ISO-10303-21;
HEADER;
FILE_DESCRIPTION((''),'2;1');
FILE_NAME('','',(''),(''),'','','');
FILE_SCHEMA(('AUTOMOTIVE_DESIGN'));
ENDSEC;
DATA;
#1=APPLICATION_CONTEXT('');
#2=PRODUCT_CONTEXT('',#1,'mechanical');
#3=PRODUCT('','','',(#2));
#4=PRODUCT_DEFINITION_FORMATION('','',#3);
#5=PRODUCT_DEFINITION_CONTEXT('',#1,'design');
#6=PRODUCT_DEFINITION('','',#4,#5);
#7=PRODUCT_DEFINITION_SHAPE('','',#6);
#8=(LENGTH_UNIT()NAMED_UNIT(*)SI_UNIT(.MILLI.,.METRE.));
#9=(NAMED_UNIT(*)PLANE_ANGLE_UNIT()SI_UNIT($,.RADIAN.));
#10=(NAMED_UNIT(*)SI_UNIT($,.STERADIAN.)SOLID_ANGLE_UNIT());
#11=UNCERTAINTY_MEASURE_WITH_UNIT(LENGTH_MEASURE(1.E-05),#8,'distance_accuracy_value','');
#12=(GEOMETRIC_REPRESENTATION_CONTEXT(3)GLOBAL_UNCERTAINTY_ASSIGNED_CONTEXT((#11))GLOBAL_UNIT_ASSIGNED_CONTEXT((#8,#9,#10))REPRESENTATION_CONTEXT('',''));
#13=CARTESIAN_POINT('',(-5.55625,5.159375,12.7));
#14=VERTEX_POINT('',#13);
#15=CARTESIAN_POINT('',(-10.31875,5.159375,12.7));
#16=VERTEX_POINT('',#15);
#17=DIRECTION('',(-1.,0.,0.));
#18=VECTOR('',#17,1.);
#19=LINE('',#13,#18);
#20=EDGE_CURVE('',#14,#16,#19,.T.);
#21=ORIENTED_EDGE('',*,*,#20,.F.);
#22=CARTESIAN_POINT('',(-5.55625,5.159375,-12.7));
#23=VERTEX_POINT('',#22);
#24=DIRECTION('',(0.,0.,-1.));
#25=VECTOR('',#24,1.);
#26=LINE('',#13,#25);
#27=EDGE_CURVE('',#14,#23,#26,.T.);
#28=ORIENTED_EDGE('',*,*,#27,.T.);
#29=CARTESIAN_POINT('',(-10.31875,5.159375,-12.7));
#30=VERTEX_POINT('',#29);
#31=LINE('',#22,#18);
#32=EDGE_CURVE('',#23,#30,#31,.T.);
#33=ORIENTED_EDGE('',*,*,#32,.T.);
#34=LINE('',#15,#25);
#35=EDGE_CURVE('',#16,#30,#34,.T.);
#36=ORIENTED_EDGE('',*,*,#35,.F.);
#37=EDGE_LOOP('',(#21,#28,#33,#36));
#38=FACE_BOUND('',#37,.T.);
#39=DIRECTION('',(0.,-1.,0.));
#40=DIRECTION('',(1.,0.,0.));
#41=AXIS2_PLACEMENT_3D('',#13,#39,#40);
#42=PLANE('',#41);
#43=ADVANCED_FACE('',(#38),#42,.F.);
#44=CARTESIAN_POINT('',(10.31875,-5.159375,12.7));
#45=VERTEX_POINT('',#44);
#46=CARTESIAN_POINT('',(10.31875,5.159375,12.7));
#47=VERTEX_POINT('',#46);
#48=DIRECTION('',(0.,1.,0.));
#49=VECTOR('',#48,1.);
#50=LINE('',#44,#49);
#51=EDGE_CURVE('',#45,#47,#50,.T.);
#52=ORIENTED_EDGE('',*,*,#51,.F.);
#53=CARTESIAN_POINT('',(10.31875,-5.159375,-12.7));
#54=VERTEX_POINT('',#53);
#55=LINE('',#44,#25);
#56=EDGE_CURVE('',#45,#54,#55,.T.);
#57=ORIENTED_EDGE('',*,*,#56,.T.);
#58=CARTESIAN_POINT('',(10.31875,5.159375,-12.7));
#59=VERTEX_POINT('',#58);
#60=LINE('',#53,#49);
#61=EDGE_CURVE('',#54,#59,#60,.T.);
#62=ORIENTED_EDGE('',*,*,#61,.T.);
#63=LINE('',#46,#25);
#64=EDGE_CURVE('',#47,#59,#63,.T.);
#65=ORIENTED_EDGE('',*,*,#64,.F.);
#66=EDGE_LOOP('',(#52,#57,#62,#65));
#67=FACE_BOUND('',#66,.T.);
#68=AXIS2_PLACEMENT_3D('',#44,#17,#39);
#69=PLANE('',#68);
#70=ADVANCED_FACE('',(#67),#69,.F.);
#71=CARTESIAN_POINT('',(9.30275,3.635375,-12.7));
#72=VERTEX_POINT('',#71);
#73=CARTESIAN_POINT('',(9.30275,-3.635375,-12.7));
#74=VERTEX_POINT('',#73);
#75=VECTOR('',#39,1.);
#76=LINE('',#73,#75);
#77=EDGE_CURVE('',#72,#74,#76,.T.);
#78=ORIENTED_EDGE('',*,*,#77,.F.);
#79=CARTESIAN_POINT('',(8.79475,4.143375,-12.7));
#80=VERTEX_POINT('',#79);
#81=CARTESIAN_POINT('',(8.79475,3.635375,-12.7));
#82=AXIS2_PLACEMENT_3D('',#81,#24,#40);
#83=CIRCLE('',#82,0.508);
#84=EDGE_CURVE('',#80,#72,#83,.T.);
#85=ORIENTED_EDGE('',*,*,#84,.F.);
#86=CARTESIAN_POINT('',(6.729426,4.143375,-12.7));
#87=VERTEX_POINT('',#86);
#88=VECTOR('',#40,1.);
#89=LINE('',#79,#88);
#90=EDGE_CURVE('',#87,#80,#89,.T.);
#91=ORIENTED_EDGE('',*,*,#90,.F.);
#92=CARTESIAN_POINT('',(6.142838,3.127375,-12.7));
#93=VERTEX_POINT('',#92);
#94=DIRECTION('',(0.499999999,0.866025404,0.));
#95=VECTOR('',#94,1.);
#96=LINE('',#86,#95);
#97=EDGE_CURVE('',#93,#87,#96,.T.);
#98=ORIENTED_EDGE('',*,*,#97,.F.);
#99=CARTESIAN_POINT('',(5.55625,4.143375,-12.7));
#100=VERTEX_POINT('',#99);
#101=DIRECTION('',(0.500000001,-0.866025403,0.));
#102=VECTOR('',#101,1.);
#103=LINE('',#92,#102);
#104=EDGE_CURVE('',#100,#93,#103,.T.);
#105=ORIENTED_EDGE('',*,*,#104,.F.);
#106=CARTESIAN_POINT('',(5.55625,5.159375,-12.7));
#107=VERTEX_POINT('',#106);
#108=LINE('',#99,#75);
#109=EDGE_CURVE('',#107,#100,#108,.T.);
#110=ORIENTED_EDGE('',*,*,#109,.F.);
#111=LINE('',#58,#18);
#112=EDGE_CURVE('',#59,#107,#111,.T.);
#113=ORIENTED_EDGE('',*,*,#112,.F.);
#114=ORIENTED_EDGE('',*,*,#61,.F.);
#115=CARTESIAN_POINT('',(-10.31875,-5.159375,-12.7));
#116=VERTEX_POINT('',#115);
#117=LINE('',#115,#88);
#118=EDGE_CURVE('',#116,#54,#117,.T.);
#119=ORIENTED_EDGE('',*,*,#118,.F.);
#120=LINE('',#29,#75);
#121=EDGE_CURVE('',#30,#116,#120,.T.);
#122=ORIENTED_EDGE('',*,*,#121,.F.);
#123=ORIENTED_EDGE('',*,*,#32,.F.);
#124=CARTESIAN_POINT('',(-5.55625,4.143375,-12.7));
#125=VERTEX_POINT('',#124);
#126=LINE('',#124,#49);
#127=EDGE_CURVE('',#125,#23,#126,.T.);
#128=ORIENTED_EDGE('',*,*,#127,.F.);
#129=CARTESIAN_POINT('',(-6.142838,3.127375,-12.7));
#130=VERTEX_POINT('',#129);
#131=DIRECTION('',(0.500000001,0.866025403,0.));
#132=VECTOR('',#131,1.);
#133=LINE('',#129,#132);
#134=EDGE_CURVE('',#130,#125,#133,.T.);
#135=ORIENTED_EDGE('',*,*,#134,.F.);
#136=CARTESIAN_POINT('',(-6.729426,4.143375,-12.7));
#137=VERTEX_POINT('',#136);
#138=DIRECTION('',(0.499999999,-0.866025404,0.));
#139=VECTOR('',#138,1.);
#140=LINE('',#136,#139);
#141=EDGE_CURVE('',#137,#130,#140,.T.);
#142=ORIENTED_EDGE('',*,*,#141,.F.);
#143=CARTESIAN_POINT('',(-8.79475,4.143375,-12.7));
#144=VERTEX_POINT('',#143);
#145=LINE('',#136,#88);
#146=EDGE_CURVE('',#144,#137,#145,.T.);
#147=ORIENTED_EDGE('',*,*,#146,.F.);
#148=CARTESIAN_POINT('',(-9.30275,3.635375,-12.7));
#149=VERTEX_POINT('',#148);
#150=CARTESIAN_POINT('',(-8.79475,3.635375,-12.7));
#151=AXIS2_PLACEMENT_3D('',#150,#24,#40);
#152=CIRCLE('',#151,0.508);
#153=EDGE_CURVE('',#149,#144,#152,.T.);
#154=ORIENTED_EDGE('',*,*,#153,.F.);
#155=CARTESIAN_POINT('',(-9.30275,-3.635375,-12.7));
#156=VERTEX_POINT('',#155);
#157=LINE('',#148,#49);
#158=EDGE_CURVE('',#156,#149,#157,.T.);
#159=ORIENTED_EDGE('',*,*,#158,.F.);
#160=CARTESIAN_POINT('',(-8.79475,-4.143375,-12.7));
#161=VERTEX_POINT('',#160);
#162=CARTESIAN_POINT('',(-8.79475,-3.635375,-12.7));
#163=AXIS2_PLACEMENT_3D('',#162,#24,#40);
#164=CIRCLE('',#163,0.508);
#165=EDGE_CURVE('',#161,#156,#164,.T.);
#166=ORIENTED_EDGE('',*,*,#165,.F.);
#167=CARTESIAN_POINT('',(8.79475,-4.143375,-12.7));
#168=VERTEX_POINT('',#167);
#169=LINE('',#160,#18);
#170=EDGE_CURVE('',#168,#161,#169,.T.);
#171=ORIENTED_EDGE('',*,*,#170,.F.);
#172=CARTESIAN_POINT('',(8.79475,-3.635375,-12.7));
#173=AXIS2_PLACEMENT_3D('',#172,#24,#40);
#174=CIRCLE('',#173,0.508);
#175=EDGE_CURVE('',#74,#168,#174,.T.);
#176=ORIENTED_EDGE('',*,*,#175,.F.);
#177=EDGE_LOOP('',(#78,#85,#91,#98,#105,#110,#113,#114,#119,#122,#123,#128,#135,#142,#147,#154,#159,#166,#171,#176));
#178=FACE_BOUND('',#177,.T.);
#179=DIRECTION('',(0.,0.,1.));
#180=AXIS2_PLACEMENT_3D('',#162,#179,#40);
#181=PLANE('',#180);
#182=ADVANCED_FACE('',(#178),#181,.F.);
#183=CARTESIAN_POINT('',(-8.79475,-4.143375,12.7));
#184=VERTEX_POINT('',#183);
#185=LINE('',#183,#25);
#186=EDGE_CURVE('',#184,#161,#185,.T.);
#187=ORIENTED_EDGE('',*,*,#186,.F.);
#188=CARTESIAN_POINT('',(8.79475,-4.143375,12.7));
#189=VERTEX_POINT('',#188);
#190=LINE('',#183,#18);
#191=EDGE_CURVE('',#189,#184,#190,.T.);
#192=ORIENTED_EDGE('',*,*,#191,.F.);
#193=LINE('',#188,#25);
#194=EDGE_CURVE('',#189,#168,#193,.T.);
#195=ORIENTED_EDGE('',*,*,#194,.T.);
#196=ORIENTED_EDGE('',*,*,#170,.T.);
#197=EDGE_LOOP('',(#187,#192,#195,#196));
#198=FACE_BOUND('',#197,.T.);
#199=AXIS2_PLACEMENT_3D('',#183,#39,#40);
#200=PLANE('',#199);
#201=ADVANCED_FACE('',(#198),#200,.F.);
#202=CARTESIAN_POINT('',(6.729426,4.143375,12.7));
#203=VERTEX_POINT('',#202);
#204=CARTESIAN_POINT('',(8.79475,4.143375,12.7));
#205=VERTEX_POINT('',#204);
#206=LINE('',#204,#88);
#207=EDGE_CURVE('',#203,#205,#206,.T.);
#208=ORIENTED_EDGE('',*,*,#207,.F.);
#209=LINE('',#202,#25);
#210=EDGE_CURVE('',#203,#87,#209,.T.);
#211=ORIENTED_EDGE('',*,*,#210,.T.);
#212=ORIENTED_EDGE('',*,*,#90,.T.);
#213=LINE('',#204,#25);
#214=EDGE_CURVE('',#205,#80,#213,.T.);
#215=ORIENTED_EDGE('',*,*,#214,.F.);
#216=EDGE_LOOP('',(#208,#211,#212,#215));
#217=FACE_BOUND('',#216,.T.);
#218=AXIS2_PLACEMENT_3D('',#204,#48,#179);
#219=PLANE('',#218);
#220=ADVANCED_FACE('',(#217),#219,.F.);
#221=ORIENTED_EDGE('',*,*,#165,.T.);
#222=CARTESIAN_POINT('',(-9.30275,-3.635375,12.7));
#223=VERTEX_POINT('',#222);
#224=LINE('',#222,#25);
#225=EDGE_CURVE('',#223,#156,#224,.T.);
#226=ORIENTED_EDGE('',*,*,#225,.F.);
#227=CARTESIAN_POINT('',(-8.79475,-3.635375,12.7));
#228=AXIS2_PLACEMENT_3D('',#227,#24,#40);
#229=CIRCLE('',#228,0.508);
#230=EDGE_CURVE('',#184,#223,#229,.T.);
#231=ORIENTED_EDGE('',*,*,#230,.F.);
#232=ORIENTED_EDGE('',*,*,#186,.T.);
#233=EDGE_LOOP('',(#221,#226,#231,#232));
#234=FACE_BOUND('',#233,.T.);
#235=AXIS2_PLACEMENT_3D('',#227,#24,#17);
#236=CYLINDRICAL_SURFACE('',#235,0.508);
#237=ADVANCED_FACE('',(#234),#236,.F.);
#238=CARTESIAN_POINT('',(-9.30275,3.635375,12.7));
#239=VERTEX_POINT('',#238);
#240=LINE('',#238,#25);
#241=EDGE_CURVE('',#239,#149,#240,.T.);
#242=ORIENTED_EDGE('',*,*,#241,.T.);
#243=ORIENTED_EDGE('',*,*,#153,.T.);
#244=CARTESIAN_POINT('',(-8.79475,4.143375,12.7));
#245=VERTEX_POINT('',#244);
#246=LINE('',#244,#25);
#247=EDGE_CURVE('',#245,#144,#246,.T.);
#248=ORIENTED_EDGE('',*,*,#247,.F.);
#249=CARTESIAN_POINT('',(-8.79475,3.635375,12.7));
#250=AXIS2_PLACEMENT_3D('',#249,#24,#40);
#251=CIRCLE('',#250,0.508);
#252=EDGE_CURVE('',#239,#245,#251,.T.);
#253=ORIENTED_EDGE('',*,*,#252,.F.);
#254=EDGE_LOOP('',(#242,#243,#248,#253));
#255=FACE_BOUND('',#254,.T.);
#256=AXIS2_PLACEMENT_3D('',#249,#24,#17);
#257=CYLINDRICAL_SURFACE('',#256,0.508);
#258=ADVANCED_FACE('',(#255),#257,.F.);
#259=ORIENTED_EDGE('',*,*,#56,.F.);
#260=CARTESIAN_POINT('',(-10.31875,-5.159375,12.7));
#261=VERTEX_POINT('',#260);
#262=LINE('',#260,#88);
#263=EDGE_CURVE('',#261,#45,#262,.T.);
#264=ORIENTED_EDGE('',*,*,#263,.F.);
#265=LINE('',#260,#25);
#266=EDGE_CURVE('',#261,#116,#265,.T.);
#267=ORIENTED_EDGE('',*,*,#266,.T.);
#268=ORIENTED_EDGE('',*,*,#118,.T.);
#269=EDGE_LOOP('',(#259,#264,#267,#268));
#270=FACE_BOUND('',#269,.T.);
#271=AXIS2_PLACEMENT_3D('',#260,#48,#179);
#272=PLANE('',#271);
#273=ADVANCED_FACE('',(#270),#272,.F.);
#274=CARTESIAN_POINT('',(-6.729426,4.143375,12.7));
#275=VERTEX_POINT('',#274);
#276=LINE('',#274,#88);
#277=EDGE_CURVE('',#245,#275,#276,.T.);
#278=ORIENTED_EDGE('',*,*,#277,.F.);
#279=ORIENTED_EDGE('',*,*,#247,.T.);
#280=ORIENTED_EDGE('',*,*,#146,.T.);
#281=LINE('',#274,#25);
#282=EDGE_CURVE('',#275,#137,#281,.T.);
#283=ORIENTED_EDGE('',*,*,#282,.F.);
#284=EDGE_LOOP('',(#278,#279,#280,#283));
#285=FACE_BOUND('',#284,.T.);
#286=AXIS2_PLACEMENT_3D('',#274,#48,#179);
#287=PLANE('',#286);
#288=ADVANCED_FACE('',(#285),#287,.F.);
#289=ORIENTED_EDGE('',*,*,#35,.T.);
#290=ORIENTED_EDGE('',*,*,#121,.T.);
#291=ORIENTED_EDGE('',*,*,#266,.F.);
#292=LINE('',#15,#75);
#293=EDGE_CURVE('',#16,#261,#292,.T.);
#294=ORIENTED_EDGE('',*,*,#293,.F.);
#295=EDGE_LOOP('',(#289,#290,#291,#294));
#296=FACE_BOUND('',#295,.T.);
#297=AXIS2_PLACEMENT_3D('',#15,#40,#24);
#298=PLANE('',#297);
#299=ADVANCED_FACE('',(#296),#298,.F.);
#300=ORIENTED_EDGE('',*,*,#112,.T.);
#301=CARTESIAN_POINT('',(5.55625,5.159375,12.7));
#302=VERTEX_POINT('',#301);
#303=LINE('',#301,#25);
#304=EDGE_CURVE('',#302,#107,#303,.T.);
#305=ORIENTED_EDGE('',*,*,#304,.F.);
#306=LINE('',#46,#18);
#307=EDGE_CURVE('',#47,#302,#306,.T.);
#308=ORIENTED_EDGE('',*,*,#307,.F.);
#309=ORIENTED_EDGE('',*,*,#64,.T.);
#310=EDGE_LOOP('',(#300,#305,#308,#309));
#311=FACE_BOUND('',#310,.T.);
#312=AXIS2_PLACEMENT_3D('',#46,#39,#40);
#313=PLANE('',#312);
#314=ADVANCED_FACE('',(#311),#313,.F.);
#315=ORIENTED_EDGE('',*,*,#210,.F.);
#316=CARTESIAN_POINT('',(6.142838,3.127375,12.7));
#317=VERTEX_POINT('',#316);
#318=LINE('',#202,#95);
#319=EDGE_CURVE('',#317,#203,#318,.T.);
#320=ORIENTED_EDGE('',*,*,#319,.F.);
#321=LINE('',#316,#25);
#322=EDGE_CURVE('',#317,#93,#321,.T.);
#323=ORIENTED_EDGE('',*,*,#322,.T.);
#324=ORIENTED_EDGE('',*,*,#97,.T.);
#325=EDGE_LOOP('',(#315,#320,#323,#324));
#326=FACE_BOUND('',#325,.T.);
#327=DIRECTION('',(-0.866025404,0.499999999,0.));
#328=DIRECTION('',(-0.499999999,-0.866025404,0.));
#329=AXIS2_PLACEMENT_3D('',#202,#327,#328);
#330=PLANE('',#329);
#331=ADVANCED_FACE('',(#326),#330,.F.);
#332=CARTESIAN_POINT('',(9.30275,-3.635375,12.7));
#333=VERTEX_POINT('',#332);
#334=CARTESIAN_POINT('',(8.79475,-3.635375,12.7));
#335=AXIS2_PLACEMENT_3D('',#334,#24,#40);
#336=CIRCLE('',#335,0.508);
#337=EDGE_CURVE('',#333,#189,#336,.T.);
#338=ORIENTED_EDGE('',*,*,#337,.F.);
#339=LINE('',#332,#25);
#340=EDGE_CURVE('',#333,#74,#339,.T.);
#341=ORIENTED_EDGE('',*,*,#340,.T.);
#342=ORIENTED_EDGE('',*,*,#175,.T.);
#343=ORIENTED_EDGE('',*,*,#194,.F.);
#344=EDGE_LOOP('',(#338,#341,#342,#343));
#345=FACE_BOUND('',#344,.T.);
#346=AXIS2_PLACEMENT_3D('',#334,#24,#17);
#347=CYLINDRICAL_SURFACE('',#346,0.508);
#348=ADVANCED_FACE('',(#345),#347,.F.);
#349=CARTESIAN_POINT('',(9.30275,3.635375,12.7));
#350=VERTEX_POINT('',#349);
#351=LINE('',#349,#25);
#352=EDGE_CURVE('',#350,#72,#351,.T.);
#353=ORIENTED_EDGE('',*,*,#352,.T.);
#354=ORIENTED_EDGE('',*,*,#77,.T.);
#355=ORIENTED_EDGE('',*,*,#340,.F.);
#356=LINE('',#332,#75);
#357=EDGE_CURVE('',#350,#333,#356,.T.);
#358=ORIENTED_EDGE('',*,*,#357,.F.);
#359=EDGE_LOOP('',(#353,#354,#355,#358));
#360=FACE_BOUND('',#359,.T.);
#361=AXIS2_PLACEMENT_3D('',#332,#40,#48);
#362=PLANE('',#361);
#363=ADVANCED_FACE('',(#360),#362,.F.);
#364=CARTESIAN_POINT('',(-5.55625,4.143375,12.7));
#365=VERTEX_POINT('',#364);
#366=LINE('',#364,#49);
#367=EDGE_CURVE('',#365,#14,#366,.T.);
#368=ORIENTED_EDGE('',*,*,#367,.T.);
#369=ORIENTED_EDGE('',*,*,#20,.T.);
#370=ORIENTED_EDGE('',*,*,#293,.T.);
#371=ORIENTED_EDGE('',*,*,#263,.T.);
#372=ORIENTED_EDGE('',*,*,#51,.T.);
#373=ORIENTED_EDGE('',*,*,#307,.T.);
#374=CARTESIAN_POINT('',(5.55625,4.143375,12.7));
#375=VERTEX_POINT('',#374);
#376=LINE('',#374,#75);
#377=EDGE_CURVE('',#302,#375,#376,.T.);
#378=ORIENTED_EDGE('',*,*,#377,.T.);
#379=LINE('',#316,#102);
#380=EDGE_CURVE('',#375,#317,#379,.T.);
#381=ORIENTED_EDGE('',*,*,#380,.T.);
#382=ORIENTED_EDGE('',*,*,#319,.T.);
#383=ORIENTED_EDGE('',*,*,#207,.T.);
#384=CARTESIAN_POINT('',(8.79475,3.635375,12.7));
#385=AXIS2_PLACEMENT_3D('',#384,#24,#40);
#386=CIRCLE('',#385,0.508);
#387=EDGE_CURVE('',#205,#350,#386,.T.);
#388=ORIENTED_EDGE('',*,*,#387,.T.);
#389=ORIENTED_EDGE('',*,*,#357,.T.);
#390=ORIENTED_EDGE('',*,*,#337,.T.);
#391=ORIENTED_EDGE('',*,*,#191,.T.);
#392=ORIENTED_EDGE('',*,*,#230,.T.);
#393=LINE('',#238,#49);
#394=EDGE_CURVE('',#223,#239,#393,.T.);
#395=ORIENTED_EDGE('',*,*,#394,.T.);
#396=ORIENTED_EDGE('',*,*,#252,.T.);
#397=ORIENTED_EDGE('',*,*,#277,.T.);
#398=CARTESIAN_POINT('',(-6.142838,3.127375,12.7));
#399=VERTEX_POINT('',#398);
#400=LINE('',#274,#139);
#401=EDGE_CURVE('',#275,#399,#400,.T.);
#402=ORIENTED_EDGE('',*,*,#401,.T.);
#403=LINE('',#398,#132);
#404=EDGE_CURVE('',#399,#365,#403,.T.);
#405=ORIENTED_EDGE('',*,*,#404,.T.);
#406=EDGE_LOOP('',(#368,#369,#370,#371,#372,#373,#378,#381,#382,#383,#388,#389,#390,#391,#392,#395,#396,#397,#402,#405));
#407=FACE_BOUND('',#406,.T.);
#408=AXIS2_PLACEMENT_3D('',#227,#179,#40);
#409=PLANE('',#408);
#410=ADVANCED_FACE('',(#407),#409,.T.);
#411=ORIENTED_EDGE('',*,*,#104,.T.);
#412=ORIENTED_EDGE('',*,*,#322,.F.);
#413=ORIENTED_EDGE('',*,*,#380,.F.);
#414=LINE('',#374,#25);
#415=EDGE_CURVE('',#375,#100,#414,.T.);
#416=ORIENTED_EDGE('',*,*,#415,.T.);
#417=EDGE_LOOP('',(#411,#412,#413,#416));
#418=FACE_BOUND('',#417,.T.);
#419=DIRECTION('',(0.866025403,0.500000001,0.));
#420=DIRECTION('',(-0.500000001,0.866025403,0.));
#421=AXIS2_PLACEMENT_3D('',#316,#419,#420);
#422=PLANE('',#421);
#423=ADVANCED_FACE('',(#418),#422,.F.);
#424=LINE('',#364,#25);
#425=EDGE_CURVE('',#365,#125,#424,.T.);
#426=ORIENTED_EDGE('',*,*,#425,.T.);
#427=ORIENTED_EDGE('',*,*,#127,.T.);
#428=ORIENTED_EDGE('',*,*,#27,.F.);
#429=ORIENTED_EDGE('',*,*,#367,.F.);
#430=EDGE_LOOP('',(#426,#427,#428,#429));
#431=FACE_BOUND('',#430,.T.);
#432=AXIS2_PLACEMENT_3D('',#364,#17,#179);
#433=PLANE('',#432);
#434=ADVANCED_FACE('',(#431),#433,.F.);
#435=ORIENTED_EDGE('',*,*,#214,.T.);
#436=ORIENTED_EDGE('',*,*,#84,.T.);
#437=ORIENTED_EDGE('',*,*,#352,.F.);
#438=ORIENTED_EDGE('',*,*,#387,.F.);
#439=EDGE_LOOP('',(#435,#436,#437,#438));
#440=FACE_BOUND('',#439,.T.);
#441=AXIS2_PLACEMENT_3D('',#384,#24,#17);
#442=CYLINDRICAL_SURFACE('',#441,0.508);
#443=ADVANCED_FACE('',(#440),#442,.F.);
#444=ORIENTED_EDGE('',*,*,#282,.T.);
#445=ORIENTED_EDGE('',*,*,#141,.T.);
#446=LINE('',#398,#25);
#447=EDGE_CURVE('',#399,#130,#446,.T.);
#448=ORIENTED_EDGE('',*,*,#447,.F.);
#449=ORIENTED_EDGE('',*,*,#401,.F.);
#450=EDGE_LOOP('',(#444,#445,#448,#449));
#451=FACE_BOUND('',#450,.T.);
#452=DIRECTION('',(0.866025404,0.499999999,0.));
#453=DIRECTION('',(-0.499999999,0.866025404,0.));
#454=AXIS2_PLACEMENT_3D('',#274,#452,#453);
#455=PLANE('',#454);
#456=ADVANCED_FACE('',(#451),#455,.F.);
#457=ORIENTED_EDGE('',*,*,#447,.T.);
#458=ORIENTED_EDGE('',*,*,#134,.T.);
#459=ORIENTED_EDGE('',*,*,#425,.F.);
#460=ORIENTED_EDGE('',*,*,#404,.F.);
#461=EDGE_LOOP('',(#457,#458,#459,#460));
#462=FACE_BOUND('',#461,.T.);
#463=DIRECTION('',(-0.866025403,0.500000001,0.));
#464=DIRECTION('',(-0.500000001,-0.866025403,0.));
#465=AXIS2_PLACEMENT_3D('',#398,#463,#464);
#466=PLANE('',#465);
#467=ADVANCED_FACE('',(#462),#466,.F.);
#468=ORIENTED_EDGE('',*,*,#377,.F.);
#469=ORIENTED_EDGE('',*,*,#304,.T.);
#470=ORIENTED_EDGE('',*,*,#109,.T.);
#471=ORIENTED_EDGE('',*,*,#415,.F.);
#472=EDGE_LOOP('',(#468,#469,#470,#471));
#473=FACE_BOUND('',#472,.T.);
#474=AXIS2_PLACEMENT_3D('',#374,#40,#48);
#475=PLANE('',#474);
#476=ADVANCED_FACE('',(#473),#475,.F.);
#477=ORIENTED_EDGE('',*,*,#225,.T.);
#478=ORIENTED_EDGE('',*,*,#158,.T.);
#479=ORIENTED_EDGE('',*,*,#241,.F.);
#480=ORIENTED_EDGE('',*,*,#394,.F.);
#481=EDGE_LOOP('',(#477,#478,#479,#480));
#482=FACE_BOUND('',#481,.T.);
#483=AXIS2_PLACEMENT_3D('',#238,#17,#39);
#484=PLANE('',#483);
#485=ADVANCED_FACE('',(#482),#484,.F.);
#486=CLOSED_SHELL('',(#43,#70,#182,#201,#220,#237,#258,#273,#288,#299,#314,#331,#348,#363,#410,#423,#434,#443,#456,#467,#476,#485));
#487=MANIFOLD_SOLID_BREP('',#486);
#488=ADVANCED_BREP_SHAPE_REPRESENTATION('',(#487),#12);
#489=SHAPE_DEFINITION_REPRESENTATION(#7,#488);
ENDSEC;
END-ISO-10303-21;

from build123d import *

# Parameters (mm, degrees)
BASE_EXTRUDE_DEPTH = 12.7


with BuildPart() as part:
    # Sketch1 → Base-Extrude (new, symmetric)
    with BuildSketch(Plane.XY):
        with BuildLine():
            Line((-5.55625, 5.159375), (-10.31875, 5.159375))
            Line((-10.31875, 5.159375), (-10.31875, -5.159375))
            Line((-10.31875, -5.159375), (10.31875, -5.159375))
            Line((10.31875, -5.159375), (10.31875, 5.159375))
            Line((10.31875, 5.159375), (5.55625, 5.159375))
            Line((5.55625, 5.159375), (5.55625, 4.143375))
            Line((5.55625, 4.143375), (6.142837874, 3.127375))
            Line((6.142837874, 3.127375), (6.729425747, 4.143375))
            Line((6.729425747, 4.143375), (8.79475, 4.143375))
            ThreePointArc((8.79475, 4.143375), (9.153960245, 3.994585245), (9.30275, 3.635375))
            Line((9.30275, 3.635375), (9.30275, -3.635375))
            ThreePointArc((9.30275, -3.635375), (9.153960245, -3.994585245), (8.79475, -4.143375))
            Line((8.79475, -4.143375), (-8.79475, -4.143375))
            ThreePointArc((-8.79475, -4.143375), (-9.153960245, -3.994585245), (-9.30275, -3.635375))
            Line((-9.30275, -3.635375), (-9.30275, 3.635375))
            ThreePointArc((-9.30275, 3.635375), (-9.153960245, 3.994585245), (-8.79475, 4.143375))
            Line((-8.79475, 4.143375), (-6.729425747, 4.143375))
            Line((-6.729425747, 4.143375), (-6.142837874, 3.127375))
            Line((-6.142837874, 3.127375), (-5.55625, 4.143375))
            Line((-5.55625, 4.143375), (-5.55625, 5.159375))
        make_face()
    extrude(amount=BASE_EXTRUDE_DEPTH, both=True)


solid = part.part
